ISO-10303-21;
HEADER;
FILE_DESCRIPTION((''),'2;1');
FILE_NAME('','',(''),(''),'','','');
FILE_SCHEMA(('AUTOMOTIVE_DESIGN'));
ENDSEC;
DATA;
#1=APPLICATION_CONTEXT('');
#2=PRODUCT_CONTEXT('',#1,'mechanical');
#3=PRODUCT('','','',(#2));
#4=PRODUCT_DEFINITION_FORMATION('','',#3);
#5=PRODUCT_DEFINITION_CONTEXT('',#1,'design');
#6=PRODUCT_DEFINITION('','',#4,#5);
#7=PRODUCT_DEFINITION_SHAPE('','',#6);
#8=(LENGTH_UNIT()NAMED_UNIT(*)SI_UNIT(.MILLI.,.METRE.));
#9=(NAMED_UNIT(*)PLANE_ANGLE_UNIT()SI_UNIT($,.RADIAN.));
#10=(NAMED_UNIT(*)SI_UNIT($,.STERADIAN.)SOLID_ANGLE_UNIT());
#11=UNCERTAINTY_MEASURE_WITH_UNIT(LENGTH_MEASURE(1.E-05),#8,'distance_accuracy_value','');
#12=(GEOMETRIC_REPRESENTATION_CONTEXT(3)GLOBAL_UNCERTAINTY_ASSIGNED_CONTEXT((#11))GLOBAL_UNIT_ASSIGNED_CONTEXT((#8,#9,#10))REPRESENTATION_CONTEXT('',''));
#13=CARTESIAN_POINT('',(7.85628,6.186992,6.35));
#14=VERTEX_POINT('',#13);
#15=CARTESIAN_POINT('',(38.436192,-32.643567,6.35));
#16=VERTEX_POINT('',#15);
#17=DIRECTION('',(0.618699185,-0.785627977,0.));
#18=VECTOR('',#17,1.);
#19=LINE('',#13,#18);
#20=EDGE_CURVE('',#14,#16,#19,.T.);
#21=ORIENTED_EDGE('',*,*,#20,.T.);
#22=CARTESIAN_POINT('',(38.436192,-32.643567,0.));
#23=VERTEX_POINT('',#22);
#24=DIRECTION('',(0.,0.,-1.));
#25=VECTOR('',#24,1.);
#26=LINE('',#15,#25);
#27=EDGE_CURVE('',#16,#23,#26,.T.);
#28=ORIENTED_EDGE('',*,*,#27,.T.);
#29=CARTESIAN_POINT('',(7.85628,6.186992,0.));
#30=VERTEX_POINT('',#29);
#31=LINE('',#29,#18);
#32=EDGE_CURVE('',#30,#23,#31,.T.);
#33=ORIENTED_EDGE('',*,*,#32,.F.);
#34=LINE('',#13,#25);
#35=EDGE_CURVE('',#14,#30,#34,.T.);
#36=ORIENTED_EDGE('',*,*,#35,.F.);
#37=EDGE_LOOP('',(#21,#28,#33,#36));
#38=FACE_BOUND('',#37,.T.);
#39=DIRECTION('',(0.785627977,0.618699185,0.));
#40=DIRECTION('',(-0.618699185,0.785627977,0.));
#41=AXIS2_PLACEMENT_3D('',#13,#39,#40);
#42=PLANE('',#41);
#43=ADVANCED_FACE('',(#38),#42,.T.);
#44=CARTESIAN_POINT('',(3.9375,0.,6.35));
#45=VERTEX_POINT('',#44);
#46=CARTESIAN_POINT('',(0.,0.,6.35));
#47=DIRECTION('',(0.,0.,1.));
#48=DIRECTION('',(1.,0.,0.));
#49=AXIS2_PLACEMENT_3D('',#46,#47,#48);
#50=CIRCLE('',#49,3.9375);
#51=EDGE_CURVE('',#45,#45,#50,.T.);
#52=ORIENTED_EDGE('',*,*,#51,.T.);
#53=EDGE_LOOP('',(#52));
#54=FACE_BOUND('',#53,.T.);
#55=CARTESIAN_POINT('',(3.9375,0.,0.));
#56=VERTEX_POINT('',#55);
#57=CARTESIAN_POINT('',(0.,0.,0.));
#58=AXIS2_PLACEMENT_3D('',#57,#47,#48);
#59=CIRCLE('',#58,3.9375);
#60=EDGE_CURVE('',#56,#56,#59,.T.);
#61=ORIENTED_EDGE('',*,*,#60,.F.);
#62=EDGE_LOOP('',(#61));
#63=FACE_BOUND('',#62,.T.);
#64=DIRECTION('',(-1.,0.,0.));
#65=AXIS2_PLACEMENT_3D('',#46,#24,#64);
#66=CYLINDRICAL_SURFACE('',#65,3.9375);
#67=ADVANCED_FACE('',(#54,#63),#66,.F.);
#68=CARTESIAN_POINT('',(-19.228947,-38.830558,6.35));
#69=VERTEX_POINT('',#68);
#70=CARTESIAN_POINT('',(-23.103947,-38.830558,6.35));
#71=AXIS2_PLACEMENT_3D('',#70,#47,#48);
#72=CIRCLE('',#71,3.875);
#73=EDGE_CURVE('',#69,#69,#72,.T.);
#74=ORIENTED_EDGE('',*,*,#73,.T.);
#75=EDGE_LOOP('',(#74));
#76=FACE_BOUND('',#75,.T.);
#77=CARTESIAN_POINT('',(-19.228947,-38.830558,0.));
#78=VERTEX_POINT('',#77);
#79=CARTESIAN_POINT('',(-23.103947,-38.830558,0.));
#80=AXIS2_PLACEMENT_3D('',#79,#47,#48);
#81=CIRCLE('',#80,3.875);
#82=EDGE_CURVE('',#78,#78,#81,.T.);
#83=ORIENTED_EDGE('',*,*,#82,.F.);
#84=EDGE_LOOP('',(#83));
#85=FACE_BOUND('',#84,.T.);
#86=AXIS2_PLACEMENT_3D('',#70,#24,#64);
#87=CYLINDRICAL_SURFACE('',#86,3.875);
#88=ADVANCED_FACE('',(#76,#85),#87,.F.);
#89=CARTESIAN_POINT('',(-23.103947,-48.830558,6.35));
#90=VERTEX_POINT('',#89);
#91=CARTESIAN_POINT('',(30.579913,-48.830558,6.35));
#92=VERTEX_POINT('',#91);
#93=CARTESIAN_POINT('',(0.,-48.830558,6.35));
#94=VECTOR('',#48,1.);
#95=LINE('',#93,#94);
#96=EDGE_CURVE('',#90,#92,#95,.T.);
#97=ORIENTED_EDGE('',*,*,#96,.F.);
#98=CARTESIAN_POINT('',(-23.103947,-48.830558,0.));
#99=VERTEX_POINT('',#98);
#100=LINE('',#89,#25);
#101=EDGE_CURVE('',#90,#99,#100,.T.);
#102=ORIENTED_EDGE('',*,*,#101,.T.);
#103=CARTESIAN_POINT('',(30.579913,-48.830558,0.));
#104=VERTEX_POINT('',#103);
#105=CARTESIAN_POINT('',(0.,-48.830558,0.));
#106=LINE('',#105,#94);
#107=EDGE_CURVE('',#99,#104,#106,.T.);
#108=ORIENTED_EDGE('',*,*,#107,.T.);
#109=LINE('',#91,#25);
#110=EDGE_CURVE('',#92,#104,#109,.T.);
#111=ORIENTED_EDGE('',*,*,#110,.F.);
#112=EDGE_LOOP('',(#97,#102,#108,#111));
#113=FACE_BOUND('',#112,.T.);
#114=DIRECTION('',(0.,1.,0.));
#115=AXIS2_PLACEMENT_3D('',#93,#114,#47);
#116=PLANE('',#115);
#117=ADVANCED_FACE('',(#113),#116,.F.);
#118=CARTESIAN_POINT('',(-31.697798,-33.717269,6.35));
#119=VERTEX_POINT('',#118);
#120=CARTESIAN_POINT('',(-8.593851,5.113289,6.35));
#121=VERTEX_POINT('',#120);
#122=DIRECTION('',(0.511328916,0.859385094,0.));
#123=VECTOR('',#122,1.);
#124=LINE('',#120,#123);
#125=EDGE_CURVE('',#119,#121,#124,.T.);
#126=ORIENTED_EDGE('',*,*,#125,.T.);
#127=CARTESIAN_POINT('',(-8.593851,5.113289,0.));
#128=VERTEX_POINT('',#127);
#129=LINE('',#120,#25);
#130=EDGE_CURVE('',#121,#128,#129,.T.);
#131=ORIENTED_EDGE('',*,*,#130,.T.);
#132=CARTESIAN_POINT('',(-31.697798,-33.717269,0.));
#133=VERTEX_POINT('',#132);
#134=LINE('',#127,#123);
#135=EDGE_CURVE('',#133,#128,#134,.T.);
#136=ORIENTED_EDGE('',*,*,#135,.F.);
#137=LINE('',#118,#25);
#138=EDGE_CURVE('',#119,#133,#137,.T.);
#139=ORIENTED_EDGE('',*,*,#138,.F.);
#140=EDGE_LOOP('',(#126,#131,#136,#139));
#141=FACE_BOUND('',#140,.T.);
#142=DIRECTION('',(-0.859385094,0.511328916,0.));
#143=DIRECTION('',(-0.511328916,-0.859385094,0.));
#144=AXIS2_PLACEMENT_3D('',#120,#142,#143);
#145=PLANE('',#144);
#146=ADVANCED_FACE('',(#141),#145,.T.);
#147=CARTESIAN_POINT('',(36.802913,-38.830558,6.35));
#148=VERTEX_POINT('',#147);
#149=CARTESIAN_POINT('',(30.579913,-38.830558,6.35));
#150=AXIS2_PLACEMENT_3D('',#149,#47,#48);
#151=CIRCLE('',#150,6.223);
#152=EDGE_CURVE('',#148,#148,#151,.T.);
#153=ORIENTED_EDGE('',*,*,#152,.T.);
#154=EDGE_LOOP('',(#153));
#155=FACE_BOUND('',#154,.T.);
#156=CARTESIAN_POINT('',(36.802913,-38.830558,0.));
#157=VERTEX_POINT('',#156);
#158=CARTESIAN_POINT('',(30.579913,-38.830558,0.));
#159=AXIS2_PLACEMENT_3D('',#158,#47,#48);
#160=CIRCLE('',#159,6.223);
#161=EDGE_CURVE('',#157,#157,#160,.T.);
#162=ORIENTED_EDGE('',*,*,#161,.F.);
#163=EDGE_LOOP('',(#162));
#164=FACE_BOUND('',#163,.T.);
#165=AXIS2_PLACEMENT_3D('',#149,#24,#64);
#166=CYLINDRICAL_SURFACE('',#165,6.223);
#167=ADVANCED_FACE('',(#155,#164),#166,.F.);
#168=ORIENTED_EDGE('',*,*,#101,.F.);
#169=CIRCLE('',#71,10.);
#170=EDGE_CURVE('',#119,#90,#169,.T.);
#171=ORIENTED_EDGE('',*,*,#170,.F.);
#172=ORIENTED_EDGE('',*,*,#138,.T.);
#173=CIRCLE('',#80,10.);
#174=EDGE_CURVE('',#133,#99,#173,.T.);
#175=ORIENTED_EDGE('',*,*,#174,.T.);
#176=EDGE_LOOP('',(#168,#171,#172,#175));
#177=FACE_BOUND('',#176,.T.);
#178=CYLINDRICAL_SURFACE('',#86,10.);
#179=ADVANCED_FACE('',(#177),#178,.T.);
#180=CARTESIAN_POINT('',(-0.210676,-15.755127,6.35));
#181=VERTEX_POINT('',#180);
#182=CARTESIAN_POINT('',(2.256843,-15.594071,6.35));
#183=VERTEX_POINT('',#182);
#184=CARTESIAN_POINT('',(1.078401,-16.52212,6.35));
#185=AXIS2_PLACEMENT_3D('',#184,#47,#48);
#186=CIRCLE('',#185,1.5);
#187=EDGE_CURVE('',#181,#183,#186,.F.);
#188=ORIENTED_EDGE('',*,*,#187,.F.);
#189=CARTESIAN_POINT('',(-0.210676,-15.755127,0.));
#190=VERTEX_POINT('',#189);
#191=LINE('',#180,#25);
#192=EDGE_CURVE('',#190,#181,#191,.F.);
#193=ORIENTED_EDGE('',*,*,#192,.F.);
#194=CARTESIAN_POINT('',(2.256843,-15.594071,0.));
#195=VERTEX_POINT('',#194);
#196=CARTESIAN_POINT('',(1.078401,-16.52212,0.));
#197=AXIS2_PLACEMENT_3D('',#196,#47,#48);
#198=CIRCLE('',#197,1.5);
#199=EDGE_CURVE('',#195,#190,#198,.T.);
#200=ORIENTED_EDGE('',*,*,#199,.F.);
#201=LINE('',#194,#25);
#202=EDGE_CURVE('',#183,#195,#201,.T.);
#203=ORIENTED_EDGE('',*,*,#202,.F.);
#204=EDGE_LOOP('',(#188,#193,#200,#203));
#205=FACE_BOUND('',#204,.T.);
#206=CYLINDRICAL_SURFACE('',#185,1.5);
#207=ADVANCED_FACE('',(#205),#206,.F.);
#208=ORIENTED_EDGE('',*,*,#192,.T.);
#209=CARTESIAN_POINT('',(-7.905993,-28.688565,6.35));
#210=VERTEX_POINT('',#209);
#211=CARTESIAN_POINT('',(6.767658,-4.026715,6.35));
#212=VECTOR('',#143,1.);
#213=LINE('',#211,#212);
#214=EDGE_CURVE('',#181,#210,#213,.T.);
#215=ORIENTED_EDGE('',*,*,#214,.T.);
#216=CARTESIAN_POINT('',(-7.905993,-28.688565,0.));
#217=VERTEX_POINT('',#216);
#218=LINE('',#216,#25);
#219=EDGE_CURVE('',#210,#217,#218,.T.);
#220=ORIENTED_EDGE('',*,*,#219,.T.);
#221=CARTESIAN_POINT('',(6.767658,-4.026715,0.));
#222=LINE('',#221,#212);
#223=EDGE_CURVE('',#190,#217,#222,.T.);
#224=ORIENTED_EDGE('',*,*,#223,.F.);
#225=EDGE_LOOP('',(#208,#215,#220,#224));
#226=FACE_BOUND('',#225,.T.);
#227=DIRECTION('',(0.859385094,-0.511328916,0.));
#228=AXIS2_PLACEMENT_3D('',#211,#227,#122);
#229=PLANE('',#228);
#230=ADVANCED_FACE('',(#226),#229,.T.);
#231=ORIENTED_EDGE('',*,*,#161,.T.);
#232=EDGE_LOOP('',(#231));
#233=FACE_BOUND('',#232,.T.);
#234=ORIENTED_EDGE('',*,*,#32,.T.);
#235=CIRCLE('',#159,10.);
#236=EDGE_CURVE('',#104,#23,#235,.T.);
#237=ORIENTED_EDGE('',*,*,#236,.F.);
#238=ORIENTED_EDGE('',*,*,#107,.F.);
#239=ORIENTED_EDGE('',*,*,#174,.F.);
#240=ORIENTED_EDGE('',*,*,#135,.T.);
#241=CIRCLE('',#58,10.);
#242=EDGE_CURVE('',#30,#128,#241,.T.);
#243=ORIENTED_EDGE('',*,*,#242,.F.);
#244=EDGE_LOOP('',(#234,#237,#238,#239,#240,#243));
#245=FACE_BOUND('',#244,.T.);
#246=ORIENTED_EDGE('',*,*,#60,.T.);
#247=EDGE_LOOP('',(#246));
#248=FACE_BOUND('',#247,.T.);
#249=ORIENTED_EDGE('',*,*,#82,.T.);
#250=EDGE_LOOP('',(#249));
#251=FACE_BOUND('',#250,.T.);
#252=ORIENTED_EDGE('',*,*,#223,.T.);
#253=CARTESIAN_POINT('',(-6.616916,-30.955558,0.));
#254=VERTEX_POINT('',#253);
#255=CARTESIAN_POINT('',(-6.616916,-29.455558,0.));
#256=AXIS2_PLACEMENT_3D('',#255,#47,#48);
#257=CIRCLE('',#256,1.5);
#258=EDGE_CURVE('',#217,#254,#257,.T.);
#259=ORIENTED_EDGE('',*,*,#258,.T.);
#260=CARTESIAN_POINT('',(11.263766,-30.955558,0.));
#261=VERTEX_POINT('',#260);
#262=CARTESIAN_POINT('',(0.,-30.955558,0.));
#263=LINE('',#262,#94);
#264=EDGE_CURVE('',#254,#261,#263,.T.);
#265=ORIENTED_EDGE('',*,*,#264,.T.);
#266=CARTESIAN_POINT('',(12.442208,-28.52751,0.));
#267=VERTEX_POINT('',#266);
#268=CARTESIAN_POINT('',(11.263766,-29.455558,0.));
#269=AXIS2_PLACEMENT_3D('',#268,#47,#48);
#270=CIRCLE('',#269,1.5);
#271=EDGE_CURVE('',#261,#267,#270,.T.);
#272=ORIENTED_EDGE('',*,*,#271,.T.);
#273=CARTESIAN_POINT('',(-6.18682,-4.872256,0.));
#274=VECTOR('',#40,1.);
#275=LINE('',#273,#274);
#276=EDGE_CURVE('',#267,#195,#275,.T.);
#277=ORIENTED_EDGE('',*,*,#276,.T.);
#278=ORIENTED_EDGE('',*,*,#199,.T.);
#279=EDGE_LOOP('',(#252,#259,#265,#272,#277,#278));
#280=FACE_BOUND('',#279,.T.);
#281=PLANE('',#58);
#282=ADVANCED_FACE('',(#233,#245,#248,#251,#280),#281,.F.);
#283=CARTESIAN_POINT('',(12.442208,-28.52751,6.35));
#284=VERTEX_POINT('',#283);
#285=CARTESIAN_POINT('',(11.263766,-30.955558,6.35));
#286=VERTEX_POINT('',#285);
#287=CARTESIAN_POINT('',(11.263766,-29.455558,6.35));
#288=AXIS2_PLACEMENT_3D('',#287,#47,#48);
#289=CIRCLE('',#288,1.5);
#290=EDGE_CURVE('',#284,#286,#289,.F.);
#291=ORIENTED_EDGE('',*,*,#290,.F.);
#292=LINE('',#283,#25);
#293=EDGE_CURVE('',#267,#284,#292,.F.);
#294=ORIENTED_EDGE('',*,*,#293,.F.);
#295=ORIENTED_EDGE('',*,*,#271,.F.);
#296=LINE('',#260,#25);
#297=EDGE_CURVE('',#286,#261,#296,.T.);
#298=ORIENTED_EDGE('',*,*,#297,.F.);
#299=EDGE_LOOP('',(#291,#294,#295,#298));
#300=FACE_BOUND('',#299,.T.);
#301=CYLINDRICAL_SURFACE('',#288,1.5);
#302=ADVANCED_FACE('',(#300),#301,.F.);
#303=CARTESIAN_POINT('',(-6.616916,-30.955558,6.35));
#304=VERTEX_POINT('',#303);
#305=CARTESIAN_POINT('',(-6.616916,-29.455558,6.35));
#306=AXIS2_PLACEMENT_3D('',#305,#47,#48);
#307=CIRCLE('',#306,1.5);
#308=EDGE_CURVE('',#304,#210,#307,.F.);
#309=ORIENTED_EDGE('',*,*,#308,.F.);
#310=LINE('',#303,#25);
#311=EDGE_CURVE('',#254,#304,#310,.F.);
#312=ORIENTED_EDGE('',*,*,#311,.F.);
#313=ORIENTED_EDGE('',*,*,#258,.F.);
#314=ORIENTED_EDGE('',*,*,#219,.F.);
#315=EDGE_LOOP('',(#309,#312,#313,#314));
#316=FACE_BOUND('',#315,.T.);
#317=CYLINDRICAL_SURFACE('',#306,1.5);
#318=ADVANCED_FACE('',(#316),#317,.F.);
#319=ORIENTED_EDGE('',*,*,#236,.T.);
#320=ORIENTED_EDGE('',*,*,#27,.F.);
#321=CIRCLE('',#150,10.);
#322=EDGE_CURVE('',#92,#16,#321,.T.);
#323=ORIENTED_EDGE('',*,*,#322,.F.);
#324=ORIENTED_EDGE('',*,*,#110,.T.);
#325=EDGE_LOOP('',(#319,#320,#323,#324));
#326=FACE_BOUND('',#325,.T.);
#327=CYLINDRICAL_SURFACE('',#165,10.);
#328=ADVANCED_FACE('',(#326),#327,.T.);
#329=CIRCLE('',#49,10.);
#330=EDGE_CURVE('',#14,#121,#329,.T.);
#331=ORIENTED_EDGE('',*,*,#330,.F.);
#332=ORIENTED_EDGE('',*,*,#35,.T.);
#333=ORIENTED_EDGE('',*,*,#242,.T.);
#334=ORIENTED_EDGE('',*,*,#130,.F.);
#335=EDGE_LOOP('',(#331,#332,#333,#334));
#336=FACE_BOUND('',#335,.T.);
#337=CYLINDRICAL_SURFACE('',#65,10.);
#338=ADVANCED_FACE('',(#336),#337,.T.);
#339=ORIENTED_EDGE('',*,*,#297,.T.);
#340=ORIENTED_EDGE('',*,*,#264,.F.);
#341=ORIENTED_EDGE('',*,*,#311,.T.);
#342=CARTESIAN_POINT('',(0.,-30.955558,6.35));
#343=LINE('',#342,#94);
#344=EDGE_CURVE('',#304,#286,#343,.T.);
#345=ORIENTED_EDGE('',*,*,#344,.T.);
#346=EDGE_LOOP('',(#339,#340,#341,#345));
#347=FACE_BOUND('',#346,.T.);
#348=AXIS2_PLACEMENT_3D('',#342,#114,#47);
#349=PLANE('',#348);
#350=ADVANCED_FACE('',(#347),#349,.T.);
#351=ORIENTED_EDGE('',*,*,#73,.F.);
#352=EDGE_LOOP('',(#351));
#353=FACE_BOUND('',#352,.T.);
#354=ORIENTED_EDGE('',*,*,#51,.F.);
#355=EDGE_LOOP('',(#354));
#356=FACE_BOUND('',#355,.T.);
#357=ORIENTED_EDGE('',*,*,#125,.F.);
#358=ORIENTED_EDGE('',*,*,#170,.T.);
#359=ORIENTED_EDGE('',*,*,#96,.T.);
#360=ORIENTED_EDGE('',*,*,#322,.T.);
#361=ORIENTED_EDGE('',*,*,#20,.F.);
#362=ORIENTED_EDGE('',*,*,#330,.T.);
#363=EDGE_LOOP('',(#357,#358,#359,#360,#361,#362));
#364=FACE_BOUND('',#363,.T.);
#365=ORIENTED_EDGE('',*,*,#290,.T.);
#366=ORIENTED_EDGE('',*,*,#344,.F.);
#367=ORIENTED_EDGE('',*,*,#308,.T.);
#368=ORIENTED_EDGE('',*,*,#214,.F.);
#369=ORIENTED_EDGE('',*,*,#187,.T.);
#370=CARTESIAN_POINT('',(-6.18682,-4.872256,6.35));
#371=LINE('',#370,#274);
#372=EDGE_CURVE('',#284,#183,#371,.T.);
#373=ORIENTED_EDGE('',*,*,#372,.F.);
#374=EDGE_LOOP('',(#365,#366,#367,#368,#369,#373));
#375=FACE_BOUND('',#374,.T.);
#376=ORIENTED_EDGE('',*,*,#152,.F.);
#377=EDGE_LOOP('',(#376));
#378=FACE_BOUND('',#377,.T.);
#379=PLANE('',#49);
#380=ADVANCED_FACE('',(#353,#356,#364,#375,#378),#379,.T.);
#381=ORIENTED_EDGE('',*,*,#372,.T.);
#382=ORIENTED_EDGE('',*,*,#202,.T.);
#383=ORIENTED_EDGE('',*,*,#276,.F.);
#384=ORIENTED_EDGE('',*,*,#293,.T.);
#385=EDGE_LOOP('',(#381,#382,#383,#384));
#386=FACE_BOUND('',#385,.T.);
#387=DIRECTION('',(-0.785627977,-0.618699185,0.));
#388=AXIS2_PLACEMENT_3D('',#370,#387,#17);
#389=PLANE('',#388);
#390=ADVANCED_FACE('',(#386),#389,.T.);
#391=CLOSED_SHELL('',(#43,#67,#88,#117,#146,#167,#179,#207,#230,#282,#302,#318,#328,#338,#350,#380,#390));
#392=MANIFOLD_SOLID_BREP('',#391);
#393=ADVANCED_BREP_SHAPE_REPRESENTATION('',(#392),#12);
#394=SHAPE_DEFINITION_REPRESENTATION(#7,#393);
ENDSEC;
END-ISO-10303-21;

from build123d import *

# Parameters (mm, degrees)
SKETCH1_R           = 10
SKETCH1_R_2         = 3.875
SKETCH1_R_3         = 3.9375
SKETCH1_R_4         = 6.223
BOSS_EXTRUDE1_DEPTH = 6.35
FILLET1_R           = 1.5


with BuildPart() as part:
    # Sketch1 → Boss-Extrude1 (new body)
    # profile 1 of 4: a face of its own
    with BuildSketch(Plane.XY):
        with BuildLine():
            Line((-8.593850937, 5.113289165), (-31.697797638, -33.717269329))
            ThreePointArc((-31.697797638, -33.717269329), (-20.452391437, -29.188501934), (-13.103946701, -38.830558493))
            ThreePointArc((-13.103946701, -38.830558493), (-16.032878889, -45.901626305), (-23.103946701, -48.830558493))
            Line((-23.103946701, -48.830558493), (30.579912659, -48.830558493))
            ThreePointArc((30.579912659, -48.830558493), (21.583526758, -34.464205241), (38.436192426, -32.643566638))
            Line((38.436192426, -32.643566638), (7.856279768, 6.186991855))
            ThreePointArc((7.856279768, 6.186991855), (9.44888347, 3.273927483), (10, 0))
            ThreePointArc((10, 0), (-2.651555264, -9.642056559), (-8.593850937, 5.113289165))
        make_face()
        Polygon((-9.254840748, -30.955558493), (0.905857228, -13.878581033), (14.354349844, -30.955558493), align=None, mode=Mode.SUBTRACT)
    # profile 2 of 4: a face of its own
    with BuildSketch(Plane.XY):
        with Locations((-23.103946701, -38.830558493)):
            Circle(SKETCH1_R)
        with Locations((-23.103946701, -38.830558493)):
            Circle(SKETCH1_R_2, mode=Mode.SUBTRACT)
    # profile 3 of 4: a face of its own
    with BuildSketch(Plane.XY):
        Circle(SKETCH1_R)
        Circle(SKETCH1_R_3, mode=Mode.SUBTRACT)
    # profile 4 of 4: a face of its own
    with BuildSketch(Plane.XY):
        with Locations((30.579912659, -38.830558493)):
            Circle(SKETCH1_R)
        with Locations((30.579912659, -38.830558493)):
            Circle(SKETCH1_R_4, mode=Mode.SUBTRACT)
    extrude(amount=BOSS_EXTRUDE1_DEPTH)

    # Fillet1
    fillet1_edges = [part.edges().sort_by_distance(p)[0] for p in [
        (0.905857228, -13.878581033, 3.175),
        (-9.254840748, -30.955558493, 3.175),
        (14.354349844, -30.955558493, 3.175),
    ]]
    fillet(fillet1_edges, radius=FILLET1_R)


solid = part.part
